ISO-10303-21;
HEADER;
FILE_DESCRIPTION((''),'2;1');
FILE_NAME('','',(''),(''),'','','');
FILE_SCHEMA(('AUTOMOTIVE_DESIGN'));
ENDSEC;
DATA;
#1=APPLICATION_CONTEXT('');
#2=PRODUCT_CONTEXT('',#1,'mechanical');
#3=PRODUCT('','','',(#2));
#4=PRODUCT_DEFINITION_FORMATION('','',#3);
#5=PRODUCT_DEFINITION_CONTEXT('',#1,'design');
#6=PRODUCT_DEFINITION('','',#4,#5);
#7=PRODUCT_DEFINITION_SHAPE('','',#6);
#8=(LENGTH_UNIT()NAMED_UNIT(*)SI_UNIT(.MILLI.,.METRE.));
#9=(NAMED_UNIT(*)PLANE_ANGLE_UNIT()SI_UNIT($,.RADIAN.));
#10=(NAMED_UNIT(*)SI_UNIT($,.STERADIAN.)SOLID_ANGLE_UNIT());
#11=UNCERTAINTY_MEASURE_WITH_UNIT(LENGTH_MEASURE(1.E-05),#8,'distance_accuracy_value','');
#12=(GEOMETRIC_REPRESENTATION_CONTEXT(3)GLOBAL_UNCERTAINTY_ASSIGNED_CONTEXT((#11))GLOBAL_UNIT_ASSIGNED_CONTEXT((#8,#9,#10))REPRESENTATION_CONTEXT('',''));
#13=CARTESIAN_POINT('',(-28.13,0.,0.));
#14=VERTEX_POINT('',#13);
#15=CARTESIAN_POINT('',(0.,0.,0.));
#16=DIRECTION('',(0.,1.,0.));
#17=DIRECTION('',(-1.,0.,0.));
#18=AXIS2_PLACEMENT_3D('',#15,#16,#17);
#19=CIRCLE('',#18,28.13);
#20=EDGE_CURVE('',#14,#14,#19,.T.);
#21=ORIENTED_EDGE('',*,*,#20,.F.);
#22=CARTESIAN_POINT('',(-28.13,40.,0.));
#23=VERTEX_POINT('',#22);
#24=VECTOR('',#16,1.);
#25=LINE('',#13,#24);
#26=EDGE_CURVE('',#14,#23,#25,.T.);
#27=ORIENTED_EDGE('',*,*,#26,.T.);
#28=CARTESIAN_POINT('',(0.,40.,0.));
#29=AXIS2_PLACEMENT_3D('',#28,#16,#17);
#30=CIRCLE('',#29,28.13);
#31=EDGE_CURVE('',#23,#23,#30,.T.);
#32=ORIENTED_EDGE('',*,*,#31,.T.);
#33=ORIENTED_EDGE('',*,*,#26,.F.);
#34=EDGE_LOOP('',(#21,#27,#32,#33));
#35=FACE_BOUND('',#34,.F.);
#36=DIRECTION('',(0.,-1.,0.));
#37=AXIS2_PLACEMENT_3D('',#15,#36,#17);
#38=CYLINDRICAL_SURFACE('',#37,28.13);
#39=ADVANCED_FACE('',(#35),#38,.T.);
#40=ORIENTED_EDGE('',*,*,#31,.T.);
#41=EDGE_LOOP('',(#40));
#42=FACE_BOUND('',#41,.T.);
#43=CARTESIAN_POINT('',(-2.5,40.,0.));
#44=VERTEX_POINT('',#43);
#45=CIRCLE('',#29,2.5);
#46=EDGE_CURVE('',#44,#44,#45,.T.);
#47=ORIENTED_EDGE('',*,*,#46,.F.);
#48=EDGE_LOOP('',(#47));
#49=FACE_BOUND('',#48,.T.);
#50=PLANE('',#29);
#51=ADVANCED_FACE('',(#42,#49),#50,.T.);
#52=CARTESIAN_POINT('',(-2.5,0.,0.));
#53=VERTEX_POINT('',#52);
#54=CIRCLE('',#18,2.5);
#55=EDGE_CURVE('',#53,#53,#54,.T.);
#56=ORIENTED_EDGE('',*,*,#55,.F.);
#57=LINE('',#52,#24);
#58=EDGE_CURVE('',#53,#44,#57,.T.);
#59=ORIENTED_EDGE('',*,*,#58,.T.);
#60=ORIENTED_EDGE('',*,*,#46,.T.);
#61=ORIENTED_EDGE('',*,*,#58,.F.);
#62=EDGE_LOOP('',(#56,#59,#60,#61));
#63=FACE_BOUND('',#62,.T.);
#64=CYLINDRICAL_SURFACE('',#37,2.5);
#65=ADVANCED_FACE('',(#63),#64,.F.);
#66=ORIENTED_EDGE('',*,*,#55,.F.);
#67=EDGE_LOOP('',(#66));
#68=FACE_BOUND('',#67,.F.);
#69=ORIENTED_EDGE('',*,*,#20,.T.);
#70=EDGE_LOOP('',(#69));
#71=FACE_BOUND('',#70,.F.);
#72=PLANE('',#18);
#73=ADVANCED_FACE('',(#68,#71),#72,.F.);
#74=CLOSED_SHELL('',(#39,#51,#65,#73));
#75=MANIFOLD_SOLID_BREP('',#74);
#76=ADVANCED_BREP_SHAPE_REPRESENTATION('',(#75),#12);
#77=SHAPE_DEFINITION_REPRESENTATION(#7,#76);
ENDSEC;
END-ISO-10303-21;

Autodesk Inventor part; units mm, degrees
ref_plane "YZ Plane" through (0, 0, 0) normal (1, 0, 0) x (0, 1, 0)
ref_plane "XZ Plane" through (0, 0, 0) normal (0, 1, 0) x (-1, 0, 0)
ref_plane "XY Plane" through (0, 0, 0) normal (0, 0, 1) x (1, 0, 0)
sketch "スケッチ1" plane through (0, 0, 0) normal (0, 1, 0) x (-1, 0, 0)
  circle A0 centre (0, 0) radius 28.13
  circle A1 centre (0, 0) radius 2.5
  dimension "d0" = 56.26
  dimension "d1" = 5
extrude "押し出し1" add sketch "スケッチ1" along normal blind 40
equation "\"BendRadius\" = Thickness"
equation "\"BendReliefWidth\" = Thickness"
equation "\"BendReliefDepth\" = 0.5 * Thickness"
equation "\"CornerReliefSize\" = 4 * Thickness"
equation "\"MinimumRemnant\" = 2 * Thickness"
equation "\"TransitionRadius\" = BendRadius"
equation "\"JacobiRadiusSize\" = BendRadius"
equation "\"GapSize\" = Thickness"
equation "\"Thickness\" = 0.5"
properties part number "0nhk2"
